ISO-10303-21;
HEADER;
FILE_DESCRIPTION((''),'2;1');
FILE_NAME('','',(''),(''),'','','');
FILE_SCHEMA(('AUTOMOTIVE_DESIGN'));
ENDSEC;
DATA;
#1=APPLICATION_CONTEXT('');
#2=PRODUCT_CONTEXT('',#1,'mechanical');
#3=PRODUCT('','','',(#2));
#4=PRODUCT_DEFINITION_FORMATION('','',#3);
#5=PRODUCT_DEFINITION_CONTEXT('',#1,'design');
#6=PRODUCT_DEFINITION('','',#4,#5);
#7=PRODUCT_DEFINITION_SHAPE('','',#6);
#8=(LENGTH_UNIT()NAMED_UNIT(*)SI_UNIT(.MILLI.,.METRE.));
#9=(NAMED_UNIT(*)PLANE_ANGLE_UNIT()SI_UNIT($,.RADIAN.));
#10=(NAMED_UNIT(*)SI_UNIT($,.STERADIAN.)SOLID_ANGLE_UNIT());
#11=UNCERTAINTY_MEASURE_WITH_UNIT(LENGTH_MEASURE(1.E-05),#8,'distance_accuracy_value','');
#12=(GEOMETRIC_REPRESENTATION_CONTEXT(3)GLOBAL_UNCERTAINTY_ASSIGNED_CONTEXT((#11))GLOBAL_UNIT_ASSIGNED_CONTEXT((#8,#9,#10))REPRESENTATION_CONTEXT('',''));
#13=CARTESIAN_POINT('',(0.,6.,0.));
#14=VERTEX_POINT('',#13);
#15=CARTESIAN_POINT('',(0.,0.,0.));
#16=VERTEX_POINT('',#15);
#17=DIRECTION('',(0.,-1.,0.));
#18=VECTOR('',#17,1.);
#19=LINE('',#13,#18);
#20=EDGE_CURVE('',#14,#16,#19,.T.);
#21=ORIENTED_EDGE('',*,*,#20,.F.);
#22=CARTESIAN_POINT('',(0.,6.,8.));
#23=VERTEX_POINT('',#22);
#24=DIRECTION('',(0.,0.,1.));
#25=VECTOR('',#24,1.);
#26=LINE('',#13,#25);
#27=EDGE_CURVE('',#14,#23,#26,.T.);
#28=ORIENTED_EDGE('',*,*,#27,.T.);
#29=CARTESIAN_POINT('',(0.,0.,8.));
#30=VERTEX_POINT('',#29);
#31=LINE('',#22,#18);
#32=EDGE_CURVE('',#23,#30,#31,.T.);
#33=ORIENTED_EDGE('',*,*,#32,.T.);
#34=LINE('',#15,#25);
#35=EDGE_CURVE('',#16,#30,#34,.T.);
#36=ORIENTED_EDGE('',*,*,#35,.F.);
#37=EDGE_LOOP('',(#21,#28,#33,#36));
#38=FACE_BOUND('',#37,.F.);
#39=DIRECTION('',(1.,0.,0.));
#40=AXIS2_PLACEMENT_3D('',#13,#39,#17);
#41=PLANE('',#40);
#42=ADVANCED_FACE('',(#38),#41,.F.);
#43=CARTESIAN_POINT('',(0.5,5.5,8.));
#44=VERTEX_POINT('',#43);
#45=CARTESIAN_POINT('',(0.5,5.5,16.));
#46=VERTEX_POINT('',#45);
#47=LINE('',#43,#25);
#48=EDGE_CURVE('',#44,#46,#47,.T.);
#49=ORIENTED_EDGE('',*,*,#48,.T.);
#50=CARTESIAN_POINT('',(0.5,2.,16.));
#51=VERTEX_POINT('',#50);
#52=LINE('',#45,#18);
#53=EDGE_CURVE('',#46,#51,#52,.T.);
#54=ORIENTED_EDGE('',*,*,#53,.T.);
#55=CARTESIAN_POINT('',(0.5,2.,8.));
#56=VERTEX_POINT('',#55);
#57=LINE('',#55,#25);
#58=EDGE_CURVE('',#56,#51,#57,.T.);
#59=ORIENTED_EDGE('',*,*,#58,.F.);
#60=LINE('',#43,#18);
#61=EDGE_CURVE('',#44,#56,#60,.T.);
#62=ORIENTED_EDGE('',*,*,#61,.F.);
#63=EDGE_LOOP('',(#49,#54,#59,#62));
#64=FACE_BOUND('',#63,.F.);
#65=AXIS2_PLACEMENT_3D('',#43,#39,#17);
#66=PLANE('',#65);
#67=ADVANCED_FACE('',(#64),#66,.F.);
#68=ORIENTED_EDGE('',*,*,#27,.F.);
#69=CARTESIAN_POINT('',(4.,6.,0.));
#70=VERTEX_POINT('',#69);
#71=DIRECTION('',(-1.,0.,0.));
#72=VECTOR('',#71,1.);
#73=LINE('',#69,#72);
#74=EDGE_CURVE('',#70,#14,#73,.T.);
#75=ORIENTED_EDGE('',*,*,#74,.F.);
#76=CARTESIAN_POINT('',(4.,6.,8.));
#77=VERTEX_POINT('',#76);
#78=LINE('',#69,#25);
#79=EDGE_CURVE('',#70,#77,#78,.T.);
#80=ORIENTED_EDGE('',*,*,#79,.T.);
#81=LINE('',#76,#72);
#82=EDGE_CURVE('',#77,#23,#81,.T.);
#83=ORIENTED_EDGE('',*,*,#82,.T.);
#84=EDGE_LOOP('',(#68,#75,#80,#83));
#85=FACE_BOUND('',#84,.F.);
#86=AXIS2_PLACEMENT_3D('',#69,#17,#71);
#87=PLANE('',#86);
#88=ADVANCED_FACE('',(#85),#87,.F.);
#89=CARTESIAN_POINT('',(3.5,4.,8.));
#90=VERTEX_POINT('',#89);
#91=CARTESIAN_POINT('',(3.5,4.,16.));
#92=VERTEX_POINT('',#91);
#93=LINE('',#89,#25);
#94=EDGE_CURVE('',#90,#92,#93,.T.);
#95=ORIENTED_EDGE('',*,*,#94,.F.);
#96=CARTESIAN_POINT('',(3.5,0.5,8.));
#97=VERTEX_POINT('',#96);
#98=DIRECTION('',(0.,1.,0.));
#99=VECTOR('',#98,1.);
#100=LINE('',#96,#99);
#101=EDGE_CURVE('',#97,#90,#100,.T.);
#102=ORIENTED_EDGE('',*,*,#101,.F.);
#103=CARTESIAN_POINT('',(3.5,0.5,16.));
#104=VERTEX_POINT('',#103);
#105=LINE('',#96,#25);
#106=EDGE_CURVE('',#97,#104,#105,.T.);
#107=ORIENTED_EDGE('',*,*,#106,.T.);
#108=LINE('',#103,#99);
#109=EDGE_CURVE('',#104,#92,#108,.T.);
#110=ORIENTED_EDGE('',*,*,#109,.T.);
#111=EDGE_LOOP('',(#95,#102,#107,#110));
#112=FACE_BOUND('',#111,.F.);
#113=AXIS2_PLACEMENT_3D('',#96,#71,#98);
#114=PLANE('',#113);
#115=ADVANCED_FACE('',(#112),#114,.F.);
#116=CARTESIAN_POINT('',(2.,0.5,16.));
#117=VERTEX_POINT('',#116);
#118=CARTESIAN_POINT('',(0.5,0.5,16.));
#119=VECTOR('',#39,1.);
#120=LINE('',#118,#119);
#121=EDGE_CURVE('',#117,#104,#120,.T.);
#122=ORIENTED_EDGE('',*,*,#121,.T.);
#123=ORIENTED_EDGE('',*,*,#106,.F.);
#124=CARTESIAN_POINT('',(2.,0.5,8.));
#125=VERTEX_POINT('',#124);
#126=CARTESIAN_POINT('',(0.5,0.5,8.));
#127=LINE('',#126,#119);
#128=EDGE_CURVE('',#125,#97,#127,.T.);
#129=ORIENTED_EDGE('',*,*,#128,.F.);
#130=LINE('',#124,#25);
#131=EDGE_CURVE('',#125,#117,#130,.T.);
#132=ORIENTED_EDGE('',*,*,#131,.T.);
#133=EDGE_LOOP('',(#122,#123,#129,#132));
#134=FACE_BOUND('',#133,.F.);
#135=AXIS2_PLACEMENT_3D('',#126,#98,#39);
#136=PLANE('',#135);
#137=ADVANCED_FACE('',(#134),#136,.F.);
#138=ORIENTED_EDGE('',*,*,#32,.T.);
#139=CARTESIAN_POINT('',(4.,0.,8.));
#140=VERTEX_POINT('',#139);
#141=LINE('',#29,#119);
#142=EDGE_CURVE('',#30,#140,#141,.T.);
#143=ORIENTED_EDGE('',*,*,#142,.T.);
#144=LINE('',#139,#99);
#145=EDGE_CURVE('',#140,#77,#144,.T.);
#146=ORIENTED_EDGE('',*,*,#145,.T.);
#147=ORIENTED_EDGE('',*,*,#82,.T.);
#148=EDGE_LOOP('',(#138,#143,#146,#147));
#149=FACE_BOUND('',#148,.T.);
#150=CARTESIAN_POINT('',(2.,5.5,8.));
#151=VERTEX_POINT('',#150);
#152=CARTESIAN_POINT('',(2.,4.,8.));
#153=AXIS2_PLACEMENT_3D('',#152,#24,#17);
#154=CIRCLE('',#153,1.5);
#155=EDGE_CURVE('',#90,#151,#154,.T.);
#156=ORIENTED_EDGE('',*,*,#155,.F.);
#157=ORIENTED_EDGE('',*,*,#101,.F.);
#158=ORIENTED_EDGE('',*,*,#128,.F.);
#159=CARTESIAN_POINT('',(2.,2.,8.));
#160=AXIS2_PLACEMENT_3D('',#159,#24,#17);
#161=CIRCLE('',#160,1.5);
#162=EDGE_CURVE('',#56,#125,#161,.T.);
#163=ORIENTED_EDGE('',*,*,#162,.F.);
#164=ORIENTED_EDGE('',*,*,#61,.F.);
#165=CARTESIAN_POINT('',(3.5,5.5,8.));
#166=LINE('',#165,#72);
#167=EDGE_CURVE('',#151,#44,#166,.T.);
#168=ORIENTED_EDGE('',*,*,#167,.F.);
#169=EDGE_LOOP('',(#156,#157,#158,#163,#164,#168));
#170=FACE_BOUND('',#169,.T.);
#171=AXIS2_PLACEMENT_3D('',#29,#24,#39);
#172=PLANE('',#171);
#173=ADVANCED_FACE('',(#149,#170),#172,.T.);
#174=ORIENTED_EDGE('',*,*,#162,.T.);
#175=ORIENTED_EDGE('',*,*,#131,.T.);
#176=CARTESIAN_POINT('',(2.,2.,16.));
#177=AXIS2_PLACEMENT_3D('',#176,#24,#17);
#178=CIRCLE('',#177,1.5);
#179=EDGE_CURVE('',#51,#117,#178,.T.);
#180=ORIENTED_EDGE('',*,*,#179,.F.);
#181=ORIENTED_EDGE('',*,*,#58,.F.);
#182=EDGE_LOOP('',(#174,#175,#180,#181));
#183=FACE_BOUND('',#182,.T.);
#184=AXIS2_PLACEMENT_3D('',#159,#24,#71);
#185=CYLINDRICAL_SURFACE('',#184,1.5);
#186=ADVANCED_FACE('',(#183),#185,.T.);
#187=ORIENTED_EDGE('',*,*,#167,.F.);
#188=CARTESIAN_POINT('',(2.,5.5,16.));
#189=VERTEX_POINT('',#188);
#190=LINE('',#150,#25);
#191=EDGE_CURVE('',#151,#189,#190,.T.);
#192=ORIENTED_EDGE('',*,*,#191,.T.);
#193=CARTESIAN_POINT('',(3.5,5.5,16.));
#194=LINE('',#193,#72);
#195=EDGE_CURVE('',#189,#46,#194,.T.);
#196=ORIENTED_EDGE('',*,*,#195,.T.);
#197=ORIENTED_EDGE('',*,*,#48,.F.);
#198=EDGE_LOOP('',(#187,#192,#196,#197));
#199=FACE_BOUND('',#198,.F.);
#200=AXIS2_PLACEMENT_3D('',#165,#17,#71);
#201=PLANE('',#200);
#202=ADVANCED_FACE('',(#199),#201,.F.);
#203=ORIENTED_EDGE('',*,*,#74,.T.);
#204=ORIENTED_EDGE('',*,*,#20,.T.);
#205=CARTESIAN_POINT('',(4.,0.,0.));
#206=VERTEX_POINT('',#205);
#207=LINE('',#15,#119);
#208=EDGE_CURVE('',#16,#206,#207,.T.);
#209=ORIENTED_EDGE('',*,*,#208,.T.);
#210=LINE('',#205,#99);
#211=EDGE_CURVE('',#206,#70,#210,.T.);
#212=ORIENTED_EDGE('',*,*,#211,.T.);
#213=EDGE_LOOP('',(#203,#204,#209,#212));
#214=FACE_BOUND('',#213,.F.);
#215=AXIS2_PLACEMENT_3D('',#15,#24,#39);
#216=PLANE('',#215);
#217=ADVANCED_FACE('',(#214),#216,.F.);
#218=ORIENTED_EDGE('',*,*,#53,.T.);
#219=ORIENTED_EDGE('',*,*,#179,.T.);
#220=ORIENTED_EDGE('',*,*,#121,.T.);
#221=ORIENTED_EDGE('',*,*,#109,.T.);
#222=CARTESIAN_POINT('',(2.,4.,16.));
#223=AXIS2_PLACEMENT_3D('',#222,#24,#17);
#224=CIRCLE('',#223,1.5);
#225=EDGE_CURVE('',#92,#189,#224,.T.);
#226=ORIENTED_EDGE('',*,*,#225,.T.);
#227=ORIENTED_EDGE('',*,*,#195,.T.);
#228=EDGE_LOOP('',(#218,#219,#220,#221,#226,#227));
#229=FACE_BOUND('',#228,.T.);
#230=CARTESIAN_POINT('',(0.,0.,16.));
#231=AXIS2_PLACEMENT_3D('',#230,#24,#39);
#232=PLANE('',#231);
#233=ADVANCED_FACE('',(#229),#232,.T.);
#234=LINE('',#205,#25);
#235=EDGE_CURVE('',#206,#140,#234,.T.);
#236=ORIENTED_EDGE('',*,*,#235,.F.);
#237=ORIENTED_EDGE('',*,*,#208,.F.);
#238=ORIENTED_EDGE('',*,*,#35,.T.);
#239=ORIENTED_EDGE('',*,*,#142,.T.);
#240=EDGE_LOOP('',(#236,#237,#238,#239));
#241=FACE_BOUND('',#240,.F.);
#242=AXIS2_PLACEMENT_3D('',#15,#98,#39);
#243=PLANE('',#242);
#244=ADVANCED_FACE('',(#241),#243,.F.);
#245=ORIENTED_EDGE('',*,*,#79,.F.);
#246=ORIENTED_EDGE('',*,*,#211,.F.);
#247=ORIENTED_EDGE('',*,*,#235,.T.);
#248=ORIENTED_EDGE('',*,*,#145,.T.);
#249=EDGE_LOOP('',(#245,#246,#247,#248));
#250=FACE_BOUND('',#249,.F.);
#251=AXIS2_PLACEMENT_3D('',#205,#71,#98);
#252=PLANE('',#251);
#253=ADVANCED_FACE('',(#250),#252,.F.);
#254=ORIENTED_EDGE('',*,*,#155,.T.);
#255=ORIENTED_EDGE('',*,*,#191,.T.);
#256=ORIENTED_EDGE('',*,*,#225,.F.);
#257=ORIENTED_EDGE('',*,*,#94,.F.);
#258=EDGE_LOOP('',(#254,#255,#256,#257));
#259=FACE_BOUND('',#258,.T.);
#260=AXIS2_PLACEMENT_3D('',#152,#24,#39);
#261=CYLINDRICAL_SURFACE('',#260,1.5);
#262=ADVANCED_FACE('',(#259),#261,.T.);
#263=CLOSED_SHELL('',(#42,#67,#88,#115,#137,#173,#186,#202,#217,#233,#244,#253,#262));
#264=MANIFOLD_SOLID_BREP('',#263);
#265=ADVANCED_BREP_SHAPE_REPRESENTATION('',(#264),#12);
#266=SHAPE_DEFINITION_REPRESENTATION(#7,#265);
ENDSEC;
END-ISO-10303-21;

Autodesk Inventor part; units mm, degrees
ref_plane "YZ Plane" through (0, 0, 0) normal (1, 0, 0) x (0, 1, 0)
ref_plane "XZ Plane" through (0, 0, 0) normal (0, 1, 0) x (-1, 0, 0)
ref_plane "XY Plane" through (0, 0, 0) normal (0, 0, 1) x (1, 0, 0)
sketch "Sketch1" plane through (0, 0, 0) normal (0, 0, 1) x (1, 0, 0)
  line L0 (0, 0) -> (4, 0)
  line L1 (4, 0) -> (4, 6)
  line L2 (4, 6) -> (0, 6)
  line L3 (0, 6) -> (0, 0)
extrude "Extrusion1" add sketch "Sketch1" along normal blind 8
sketch "Sketch2" plane through (0, 0, 8) normal (0, 0, 1) x (1, 0, 0)
  line L0 (0.5, 0.5) -> (3.5, 0.5)
  line L1 (3.5, 0.5) -> (3.5, 5.5)
  line L2 (3.5, 5.5) -> (0.5, 5.5)
  line L3 (0.5, 5.5) -> (0.5, 0.5)
  point P0 (0, 0)
extrude "Extrusion2" add sketch "Sketch2" along normal blind 8
fillet "Fillet1" radius 1.5 2 edges at (3.5, 5.5, 12) (0.5, 0.5, 12)
properties part number "button_press_fitting_new"
